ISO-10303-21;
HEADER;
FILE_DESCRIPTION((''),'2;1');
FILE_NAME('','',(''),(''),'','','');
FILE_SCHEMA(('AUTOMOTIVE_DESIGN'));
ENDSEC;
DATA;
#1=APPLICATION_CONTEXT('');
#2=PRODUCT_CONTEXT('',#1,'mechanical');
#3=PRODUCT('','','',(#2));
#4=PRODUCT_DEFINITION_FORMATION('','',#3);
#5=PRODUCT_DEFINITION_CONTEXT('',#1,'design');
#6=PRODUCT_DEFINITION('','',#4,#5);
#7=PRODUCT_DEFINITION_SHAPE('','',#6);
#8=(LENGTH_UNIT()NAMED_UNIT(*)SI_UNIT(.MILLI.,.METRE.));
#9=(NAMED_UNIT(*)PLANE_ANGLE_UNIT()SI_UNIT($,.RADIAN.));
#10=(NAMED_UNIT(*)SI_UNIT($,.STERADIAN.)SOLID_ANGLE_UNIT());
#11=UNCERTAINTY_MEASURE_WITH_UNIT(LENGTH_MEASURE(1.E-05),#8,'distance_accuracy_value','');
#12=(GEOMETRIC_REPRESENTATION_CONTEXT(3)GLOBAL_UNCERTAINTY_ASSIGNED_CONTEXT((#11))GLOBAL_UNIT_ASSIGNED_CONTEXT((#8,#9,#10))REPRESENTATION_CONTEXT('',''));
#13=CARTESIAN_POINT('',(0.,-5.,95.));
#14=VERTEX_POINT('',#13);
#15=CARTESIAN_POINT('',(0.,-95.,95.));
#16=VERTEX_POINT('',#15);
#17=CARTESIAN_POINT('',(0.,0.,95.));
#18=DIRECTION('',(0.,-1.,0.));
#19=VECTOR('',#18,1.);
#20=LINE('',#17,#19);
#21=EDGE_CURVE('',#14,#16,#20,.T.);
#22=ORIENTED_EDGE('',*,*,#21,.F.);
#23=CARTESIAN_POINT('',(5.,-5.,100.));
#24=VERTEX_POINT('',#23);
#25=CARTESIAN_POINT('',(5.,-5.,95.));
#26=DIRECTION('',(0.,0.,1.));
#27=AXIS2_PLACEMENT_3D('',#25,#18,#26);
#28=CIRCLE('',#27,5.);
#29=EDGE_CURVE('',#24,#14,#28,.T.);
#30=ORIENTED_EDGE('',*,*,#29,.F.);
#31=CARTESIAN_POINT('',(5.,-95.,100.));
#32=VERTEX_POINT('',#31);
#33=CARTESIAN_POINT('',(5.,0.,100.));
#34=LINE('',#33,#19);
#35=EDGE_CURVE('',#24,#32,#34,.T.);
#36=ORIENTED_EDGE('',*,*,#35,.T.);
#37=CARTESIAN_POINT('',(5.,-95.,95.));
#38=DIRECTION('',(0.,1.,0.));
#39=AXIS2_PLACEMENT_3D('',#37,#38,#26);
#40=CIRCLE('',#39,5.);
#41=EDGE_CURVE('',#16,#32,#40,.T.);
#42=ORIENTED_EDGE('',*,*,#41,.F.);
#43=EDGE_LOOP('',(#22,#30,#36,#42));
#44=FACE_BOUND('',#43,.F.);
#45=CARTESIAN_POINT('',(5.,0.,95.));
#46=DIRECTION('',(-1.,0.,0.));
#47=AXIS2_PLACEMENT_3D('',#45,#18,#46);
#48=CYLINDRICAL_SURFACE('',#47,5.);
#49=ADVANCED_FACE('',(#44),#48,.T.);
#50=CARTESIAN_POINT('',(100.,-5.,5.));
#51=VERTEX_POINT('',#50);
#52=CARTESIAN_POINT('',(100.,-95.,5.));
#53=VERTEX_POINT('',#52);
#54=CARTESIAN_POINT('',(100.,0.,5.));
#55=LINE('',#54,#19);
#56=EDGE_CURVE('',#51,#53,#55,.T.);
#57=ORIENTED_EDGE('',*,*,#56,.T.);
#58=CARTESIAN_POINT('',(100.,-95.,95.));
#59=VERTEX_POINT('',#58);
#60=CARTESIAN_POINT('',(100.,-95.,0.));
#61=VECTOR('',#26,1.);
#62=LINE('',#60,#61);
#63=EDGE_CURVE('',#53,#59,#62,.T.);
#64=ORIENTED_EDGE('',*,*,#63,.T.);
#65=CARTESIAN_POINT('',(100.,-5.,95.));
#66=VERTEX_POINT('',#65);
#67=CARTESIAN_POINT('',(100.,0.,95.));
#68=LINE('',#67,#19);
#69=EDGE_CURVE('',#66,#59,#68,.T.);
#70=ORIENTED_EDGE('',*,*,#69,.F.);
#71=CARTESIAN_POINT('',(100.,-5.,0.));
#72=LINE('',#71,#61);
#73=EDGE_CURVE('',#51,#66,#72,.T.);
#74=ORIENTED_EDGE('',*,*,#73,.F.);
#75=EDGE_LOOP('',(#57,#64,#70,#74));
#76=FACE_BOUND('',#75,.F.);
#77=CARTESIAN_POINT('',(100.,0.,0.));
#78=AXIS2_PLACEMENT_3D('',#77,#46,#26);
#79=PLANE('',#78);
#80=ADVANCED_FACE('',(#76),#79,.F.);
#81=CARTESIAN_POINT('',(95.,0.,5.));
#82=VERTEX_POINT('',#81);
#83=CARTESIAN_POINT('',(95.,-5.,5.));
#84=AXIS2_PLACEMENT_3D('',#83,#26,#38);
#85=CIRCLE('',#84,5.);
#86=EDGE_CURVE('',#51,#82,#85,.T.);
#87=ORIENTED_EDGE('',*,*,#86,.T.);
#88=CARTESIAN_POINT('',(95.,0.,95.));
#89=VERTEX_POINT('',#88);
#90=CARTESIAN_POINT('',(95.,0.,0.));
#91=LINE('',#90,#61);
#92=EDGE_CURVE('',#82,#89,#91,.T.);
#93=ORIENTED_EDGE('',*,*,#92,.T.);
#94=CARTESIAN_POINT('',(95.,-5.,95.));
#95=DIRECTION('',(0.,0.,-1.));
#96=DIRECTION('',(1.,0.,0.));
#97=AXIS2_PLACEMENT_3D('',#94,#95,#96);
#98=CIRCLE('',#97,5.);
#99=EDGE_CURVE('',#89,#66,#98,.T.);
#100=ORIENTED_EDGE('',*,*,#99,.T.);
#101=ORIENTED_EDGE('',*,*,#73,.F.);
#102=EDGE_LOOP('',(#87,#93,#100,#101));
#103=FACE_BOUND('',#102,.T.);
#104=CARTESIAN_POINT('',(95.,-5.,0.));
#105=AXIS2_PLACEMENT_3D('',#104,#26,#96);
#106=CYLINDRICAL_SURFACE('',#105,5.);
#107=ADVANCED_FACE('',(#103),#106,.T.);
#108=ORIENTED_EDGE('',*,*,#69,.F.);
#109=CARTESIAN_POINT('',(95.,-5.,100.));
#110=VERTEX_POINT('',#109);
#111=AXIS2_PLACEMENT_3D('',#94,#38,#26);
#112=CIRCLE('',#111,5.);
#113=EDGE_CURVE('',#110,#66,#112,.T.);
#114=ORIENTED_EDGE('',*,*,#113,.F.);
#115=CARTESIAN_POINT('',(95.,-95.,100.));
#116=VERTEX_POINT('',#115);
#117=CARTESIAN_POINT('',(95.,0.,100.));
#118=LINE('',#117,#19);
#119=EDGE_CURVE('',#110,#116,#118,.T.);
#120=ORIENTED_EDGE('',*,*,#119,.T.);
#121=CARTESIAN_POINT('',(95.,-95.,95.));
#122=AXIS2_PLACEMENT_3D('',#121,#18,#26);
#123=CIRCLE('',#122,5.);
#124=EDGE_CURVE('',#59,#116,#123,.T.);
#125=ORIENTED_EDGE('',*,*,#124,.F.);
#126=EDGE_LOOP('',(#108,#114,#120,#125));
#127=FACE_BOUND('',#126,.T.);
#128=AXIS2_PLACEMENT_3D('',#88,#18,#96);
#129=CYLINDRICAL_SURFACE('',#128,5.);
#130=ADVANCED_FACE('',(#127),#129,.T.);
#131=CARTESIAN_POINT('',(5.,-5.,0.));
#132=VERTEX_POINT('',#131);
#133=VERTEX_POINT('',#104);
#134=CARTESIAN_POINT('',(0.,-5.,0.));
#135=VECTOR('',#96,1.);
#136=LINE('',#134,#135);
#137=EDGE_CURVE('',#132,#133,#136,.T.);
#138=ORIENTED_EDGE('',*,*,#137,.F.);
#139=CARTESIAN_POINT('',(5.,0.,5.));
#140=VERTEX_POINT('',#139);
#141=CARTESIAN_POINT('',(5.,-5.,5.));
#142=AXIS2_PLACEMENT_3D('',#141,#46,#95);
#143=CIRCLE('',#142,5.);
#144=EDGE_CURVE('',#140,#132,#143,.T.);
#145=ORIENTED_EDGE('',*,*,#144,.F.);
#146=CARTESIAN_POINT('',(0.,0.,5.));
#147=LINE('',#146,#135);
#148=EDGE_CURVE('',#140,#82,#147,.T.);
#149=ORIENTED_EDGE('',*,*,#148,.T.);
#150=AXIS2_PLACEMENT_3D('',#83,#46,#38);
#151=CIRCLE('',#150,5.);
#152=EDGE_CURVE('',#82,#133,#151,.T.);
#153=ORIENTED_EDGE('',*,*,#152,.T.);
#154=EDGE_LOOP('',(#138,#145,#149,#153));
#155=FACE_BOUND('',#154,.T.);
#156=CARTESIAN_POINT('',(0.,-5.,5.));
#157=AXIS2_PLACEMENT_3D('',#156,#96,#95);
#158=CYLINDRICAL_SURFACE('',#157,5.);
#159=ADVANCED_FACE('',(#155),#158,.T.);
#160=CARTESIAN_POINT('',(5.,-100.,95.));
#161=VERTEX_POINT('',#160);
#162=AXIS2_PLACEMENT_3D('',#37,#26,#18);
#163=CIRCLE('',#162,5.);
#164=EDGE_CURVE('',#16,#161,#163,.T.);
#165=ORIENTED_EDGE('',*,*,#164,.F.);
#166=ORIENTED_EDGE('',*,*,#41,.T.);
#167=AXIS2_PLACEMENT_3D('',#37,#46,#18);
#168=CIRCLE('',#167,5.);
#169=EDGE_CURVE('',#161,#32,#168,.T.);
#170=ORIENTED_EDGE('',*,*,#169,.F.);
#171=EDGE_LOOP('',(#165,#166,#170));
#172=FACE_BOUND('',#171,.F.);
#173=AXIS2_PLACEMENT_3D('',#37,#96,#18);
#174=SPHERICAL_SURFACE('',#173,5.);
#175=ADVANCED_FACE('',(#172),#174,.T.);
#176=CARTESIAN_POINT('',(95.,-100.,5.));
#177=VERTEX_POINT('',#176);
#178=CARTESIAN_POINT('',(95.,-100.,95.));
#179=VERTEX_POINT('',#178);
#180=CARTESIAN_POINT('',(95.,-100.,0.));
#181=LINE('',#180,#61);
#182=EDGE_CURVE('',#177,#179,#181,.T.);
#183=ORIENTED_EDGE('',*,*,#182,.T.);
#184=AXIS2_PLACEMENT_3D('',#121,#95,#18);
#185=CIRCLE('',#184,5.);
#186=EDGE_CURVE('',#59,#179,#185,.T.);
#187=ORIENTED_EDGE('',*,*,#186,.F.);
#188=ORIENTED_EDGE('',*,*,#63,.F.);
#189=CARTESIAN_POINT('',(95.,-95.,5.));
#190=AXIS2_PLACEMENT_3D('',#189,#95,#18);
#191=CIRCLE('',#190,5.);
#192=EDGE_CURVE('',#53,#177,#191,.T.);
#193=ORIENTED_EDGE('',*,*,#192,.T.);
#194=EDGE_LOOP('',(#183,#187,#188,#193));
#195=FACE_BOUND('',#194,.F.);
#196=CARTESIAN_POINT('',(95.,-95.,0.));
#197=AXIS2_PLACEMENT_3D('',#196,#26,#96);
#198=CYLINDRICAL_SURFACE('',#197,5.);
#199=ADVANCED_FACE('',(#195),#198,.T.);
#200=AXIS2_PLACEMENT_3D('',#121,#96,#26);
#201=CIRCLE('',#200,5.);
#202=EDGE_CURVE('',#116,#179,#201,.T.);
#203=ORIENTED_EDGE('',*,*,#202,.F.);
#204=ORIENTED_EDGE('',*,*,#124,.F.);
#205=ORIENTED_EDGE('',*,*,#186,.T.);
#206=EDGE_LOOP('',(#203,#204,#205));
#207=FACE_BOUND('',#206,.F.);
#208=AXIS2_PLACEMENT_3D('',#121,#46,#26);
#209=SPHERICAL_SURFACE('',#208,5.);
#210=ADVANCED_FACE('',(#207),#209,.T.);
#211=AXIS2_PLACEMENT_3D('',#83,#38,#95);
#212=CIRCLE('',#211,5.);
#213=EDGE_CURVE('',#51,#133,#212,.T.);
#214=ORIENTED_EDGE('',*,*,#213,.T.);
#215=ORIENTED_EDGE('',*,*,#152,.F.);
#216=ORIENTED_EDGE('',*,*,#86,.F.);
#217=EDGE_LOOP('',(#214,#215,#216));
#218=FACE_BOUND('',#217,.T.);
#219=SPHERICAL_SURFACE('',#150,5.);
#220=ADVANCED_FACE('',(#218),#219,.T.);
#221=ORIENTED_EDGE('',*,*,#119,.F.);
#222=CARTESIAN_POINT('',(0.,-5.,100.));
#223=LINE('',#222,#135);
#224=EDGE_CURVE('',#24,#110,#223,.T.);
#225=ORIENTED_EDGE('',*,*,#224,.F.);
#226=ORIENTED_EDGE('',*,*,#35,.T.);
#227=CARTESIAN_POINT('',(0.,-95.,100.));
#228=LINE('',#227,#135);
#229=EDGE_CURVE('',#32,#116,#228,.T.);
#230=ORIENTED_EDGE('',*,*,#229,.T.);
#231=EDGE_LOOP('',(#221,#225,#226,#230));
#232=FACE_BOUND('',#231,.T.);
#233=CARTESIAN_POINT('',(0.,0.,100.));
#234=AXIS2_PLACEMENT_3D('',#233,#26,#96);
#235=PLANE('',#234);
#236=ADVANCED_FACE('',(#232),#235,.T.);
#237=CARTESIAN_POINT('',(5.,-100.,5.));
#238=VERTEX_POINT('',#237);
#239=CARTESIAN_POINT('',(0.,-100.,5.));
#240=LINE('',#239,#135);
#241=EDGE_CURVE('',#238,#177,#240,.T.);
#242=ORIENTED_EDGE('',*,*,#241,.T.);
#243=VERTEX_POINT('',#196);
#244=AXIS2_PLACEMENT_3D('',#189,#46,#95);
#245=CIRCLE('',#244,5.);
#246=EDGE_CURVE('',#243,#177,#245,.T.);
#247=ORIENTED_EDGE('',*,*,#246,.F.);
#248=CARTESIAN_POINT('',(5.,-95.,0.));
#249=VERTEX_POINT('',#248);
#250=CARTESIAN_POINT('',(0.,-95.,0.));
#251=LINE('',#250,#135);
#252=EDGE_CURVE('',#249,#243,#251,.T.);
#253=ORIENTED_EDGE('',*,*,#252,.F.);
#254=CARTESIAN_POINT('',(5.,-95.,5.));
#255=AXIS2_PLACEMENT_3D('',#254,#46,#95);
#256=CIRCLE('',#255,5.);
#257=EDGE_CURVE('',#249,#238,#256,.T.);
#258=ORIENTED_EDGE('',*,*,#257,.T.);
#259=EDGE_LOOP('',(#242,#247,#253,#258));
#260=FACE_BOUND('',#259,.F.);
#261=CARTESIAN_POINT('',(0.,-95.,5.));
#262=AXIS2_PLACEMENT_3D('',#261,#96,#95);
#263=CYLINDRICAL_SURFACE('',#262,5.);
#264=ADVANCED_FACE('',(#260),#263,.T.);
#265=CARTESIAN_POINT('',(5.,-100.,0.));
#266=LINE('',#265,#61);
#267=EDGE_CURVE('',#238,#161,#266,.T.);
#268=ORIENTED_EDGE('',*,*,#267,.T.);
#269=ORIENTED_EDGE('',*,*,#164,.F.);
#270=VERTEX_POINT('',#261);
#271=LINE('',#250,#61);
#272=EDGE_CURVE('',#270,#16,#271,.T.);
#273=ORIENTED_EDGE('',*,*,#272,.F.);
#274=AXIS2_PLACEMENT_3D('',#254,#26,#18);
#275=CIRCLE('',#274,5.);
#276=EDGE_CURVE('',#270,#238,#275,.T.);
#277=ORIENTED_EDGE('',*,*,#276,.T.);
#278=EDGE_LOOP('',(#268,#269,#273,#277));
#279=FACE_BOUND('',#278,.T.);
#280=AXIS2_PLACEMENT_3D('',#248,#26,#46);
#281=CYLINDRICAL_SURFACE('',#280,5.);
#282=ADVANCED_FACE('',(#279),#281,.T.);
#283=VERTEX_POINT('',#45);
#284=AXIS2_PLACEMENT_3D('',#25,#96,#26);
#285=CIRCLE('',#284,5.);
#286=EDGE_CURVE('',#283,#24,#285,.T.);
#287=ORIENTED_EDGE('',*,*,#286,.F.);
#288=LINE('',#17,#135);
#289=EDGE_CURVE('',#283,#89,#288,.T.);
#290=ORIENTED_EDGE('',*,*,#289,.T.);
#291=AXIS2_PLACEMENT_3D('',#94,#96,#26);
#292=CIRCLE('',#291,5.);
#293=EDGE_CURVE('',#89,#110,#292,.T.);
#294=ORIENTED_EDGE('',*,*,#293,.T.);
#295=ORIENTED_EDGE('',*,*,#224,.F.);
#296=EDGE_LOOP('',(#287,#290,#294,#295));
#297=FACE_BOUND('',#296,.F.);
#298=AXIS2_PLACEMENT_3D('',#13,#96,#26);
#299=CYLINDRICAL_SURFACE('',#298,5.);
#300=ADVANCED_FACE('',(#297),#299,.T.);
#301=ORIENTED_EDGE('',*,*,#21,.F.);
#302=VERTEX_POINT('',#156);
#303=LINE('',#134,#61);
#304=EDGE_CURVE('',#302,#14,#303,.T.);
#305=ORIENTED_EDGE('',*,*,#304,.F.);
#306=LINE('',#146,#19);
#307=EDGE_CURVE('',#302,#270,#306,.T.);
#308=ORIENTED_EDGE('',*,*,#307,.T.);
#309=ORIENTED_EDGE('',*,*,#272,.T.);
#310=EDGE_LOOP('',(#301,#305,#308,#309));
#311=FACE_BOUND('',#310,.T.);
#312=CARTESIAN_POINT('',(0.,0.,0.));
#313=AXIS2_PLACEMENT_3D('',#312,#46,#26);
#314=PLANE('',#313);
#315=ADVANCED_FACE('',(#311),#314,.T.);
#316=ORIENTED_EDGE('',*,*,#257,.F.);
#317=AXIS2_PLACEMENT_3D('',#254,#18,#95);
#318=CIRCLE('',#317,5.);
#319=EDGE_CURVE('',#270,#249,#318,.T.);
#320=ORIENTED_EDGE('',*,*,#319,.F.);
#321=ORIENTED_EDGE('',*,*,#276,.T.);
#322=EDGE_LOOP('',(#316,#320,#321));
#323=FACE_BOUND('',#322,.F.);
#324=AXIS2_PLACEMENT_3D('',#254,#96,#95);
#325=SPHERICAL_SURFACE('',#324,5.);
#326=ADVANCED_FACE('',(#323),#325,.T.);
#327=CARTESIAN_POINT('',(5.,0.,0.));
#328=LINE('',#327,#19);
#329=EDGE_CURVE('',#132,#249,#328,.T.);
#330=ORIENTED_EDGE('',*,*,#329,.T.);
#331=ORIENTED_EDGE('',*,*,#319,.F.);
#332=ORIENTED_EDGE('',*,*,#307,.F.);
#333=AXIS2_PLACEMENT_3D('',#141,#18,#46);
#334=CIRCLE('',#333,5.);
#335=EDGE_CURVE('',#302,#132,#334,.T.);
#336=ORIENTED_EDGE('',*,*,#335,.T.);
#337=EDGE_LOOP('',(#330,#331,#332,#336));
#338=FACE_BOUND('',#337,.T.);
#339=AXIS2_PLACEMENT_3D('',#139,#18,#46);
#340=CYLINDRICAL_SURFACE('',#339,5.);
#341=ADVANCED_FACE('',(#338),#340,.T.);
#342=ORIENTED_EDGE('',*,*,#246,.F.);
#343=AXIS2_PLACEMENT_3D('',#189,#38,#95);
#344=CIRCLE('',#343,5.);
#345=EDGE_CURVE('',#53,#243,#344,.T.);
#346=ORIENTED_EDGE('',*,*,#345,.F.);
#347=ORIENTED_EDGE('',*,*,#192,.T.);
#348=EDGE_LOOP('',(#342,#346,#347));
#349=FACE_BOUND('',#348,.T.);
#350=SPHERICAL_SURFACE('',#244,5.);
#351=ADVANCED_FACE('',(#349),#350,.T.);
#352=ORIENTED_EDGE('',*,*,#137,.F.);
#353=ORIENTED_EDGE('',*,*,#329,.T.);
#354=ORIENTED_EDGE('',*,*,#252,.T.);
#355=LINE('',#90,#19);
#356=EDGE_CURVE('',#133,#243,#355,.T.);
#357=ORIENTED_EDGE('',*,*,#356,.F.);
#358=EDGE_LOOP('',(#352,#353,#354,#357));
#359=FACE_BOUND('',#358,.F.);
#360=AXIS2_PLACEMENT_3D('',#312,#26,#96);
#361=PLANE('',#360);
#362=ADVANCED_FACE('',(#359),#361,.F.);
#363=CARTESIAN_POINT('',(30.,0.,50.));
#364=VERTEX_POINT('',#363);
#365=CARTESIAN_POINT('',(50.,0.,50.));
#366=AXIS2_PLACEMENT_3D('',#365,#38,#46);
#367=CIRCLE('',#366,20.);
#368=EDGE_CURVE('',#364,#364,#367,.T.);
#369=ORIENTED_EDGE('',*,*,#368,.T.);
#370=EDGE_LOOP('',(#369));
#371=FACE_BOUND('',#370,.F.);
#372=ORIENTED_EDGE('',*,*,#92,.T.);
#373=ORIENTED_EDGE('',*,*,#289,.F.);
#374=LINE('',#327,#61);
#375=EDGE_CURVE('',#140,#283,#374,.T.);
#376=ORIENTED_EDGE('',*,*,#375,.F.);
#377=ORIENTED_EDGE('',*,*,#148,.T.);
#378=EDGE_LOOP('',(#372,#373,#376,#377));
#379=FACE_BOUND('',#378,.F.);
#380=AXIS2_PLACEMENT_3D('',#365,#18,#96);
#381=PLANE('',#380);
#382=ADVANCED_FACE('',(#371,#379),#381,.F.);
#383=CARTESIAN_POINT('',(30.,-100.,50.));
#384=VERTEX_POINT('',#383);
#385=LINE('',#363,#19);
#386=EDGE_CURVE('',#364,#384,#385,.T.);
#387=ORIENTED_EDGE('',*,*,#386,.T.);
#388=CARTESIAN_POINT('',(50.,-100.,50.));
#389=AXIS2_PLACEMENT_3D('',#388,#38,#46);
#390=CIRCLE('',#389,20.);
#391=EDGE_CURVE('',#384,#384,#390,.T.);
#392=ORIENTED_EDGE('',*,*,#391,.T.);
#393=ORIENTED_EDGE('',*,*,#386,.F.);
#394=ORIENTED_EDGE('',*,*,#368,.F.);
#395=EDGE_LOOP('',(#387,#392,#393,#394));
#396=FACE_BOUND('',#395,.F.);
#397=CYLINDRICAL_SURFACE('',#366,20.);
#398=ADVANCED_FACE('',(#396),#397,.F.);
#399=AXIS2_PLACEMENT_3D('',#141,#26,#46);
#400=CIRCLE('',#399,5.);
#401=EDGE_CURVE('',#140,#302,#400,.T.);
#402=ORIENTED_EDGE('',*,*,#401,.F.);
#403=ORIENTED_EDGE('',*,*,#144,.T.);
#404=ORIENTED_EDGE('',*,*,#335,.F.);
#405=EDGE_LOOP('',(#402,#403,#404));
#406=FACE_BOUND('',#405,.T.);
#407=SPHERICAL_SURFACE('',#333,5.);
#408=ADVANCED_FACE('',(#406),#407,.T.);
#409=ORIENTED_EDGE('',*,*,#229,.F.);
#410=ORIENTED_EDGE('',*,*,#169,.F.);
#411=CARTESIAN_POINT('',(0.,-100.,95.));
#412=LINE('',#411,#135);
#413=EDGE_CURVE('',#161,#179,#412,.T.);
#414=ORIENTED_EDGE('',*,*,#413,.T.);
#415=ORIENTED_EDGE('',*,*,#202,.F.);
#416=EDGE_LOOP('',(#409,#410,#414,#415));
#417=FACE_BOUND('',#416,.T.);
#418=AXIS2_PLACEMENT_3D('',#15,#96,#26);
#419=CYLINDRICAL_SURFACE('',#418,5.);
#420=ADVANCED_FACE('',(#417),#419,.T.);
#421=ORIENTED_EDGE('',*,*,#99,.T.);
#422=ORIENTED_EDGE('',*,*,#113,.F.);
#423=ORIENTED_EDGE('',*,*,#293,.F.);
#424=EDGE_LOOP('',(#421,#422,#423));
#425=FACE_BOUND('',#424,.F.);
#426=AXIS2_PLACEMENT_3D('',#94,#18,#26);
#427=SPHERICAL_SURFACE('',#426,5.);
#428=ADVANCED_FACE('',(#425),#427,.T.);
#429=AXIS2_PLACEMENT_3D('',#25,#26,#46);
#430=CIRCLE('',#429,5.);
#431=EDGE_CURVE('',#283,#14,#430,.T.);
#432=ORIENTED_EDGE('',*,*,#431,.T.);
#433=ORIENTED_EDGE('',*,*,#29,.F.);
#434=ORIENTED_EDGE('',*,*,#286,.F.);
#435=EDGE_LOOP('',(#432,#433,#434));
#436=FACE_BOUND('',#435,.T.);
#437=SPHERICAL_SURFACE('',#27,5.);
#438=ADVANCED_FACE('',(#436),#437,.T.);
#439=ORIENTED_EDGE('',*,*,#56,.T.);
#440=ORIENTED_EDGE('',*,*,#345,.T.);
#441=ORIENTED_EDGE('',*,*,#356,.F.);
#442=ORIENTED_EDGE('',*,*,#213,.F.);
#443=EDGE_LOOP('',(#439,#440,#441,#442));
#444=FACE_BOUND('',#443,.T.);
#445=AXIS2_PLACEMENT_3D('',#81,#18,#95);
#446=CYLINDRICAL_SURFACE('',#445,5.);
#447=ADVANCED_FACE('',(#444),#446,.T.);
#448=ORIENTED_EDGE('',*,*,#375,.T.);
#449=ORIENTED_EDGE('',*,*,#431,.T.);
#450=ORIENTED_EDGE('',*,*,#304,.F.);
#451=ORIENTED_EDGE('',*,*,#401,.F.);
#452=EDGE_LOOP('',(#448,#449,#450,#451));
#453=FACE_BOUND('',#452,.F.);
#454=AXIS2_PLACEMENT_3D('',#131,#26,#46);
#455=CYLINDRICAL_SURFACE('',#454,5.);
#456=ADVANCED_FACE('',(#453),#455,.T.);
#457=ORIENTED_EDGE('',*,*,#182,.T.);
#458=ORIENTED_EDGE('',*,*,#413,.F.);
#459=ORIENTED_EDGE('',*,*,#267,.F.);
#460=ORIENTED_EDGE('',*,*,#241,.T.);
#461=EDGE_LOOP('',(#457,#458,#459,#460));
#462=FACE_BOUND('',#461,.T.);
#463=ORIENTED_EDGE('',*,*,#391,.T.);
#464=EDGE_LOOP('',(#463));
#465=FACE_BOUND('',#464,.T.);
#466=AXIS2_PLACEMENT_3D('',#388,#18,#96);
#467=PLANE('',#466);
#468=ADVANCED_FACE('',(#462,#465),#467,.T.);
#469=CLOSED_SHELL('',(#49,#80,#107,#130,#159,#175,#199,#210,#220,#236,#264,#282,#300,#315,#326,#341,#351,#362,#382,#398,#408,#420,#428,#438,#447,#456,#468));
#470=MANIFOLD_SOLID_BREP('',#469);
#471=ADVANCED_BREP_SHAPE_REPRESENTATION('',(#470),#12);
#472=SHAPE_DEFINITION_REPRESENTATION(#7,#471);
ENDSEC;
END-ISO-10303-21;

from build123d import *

# Parameters (mm, degrees)
F0_W     = 100
F0_H     = 100
F1_DEPTH = 100
F2_R     = 5
F3_R     = 20
F4_DEPTH = 100


with BuildPart() as f1:
    # F0 (on Front) → F1 (new body)
    with BuildSketch(Plane.XZ):
        with Locations((50, 50)):
            Rectangle(F0_W, F0_H)
    extrude(amount=F1_DEPTH)

    # F2
    f2_edges = [f1.edges().sort_by_distance(p)[0] for p in [
        (50, -100, 100),
        (50, -100, 0),
        (0, -50, 0),
        (0, -100, 50),
        (0, -50, 100),
        (100, -50, 100),
        (50, 0, 100),
        (0, 0, 50),
        (50, 0, 0),
        (100, 0, 50),
        (100, -50, 0),
        (100, -100, 50),
    ]]
    fillet(f2_edges, radius=F2_R)

    # F3 (on face) → F4 (cut)
    with BuildSketch(Plane(origin=(0, 0, 0), x_dir=(-1, 0, 0), z_dir=(0, 1, 0))):
        with Locations((-50, 50)):
            Circle(F3_R)
    extrude(amount=-F4_DEPTH, mode=Mode.SUBTRACT)


solid = f1.part
